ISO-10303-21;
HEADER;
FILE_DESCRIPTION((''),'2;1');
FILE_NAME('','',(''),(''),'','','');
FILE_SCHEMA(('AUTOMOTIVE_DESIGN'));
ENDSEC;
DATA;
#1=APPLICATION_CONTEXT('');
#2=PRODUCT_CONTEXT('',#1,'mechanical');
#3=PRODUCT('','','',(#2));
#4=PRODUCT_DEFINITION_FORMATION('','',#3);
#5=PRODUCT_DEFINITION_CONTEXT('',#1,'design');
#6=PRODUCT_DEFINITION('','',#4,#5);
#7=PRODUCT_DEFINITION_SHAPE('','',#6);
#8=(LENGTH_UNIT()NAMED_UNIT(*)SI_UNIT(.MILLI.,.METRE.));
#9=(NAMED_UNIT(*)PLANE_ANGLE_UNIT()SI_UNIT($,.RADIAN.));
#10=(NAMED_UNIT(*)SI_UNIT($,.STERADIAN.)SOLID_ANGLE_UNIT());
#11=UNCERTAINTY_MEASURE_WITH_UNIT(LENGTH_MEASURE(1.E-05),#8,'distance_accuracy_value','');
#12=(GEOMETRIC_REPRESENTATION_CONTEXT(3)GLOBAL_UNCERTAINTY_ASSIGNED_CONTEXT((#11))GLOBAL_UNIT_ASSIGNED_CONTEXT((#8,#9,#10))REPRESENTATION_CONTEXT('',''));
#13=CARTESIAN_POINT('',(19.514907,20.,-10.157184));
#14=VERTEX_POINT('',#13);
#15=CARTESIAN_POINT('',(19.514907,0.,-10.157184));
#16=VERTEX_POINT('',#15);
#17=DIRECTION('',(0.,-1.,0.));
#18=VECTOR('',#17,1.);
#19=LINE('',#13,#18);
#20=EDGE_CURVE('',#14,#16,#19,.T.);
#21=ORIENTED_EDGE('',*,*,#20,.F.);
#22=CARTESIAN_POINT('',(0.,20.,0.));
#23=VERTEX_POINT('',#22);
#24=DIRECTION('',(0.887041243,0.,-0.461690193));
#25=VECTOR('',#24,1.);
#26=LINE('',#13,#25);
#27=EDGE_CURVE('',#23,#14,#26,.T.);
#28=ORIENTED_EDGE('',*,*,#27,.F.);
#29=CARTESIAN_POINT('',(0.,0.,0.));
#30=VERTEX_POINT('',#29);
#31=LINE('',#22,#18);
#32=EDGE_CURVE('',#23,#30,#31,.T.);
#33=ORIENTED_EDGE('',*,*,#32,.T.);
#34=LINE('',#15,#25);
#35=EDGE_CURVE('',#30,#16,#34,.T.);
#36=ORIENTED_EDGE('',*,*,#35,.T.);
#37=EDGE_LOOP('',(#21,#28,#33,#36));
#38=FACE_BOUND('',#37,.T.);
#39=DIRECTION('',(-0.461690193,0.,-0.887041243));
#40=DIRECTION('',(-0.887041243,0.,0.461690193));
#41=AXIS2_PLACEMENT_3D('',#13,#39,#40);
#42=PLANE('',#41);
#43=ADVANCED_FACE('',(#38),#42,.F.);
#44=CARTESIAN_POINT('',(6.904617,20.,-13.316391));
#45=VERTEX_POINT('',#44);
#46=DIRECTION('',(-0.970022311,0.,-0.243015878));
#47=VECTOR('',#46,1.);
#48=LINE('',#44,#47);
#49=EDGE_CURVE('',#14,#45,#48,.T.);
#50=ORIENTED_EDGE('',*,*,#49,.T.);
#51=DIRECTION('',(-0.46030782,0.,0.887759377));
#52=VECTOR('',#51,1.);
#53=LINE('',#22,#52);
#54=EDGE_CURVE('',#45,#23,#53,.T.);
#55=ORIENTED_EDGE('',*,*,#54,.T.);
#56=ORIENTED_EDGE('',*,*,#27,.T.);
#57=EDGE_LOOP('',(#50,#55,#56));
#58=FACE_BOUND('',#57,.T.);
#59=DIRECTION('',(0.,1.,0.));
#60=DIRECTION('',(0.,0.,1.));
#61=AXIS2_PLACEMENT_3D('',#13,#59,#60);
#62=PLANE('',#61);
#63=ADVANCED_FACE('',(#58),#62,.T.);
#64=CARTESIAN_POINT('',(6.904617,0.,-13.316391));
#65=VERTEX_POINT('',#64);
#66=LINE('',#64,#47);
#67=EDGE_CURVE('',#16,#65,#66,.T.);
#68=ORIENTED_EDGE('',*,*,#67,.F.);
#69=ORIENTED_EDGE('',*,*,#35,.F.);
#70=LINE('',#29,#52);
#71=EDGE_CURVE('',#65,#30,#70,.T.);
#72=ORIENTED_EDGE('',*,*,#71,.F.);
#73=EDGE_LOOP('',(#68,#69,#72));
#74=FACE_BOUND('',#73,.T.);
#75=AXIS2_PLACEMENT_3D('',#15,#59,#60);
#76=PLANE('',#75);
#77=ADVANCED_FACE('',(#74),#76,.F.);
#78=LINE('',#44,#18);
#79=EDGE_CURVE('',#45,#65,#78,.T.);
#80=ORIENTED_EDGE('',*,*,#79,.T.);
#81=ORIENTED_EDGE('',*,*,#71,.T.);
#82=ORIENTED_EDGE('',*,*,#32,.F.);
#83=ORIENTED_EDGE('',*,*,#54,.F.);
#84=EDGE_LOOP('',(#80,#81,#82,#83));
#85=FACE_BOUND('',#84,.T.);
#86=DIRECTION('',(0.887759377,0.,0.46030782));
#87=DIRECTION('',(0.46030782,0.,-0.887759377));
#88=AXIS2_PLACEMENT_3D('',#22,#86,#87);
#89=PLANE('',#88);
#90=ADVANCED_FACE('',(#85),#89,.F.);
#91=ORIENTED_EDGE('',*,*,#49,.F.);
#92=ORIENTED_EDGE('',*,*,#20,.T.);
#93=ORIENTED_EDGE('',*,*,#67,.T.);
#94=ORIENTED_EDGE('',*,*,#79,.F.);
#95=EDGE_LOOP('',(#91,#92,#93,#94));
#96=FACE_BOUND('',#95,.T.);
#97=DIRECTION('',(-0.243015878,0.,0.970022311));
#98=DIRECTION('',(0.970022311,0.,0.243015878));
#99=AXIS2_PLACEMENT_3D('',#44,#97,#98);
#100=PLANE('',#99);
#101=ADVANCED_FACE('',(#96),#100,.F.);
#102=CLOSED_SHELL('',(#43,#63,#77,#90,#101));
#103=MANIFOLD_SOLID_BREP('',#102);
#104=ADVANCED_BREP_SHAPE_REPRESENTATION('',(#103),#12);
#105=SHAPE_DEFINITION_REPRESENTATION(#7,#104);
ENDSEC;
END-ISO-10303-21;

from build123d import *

# Parameters (mm, degrees)
EXTRUDE1_DEPTH = 20


with BuildPart() as part:
    # Sketch1 → Extrude1 (new body)
    with BuildSketch(Plane(origin=(0, 0, 0), x_dir=(1, 0, 0), z_dir=(0, 1, 0))):
        Polygon((0, 0), (6.904617299, 13.316390651), (19.514907337, 10.157184238), align=None)
    extrude(amount=EXTRUDE1_DEPTH)


solid = part.part
